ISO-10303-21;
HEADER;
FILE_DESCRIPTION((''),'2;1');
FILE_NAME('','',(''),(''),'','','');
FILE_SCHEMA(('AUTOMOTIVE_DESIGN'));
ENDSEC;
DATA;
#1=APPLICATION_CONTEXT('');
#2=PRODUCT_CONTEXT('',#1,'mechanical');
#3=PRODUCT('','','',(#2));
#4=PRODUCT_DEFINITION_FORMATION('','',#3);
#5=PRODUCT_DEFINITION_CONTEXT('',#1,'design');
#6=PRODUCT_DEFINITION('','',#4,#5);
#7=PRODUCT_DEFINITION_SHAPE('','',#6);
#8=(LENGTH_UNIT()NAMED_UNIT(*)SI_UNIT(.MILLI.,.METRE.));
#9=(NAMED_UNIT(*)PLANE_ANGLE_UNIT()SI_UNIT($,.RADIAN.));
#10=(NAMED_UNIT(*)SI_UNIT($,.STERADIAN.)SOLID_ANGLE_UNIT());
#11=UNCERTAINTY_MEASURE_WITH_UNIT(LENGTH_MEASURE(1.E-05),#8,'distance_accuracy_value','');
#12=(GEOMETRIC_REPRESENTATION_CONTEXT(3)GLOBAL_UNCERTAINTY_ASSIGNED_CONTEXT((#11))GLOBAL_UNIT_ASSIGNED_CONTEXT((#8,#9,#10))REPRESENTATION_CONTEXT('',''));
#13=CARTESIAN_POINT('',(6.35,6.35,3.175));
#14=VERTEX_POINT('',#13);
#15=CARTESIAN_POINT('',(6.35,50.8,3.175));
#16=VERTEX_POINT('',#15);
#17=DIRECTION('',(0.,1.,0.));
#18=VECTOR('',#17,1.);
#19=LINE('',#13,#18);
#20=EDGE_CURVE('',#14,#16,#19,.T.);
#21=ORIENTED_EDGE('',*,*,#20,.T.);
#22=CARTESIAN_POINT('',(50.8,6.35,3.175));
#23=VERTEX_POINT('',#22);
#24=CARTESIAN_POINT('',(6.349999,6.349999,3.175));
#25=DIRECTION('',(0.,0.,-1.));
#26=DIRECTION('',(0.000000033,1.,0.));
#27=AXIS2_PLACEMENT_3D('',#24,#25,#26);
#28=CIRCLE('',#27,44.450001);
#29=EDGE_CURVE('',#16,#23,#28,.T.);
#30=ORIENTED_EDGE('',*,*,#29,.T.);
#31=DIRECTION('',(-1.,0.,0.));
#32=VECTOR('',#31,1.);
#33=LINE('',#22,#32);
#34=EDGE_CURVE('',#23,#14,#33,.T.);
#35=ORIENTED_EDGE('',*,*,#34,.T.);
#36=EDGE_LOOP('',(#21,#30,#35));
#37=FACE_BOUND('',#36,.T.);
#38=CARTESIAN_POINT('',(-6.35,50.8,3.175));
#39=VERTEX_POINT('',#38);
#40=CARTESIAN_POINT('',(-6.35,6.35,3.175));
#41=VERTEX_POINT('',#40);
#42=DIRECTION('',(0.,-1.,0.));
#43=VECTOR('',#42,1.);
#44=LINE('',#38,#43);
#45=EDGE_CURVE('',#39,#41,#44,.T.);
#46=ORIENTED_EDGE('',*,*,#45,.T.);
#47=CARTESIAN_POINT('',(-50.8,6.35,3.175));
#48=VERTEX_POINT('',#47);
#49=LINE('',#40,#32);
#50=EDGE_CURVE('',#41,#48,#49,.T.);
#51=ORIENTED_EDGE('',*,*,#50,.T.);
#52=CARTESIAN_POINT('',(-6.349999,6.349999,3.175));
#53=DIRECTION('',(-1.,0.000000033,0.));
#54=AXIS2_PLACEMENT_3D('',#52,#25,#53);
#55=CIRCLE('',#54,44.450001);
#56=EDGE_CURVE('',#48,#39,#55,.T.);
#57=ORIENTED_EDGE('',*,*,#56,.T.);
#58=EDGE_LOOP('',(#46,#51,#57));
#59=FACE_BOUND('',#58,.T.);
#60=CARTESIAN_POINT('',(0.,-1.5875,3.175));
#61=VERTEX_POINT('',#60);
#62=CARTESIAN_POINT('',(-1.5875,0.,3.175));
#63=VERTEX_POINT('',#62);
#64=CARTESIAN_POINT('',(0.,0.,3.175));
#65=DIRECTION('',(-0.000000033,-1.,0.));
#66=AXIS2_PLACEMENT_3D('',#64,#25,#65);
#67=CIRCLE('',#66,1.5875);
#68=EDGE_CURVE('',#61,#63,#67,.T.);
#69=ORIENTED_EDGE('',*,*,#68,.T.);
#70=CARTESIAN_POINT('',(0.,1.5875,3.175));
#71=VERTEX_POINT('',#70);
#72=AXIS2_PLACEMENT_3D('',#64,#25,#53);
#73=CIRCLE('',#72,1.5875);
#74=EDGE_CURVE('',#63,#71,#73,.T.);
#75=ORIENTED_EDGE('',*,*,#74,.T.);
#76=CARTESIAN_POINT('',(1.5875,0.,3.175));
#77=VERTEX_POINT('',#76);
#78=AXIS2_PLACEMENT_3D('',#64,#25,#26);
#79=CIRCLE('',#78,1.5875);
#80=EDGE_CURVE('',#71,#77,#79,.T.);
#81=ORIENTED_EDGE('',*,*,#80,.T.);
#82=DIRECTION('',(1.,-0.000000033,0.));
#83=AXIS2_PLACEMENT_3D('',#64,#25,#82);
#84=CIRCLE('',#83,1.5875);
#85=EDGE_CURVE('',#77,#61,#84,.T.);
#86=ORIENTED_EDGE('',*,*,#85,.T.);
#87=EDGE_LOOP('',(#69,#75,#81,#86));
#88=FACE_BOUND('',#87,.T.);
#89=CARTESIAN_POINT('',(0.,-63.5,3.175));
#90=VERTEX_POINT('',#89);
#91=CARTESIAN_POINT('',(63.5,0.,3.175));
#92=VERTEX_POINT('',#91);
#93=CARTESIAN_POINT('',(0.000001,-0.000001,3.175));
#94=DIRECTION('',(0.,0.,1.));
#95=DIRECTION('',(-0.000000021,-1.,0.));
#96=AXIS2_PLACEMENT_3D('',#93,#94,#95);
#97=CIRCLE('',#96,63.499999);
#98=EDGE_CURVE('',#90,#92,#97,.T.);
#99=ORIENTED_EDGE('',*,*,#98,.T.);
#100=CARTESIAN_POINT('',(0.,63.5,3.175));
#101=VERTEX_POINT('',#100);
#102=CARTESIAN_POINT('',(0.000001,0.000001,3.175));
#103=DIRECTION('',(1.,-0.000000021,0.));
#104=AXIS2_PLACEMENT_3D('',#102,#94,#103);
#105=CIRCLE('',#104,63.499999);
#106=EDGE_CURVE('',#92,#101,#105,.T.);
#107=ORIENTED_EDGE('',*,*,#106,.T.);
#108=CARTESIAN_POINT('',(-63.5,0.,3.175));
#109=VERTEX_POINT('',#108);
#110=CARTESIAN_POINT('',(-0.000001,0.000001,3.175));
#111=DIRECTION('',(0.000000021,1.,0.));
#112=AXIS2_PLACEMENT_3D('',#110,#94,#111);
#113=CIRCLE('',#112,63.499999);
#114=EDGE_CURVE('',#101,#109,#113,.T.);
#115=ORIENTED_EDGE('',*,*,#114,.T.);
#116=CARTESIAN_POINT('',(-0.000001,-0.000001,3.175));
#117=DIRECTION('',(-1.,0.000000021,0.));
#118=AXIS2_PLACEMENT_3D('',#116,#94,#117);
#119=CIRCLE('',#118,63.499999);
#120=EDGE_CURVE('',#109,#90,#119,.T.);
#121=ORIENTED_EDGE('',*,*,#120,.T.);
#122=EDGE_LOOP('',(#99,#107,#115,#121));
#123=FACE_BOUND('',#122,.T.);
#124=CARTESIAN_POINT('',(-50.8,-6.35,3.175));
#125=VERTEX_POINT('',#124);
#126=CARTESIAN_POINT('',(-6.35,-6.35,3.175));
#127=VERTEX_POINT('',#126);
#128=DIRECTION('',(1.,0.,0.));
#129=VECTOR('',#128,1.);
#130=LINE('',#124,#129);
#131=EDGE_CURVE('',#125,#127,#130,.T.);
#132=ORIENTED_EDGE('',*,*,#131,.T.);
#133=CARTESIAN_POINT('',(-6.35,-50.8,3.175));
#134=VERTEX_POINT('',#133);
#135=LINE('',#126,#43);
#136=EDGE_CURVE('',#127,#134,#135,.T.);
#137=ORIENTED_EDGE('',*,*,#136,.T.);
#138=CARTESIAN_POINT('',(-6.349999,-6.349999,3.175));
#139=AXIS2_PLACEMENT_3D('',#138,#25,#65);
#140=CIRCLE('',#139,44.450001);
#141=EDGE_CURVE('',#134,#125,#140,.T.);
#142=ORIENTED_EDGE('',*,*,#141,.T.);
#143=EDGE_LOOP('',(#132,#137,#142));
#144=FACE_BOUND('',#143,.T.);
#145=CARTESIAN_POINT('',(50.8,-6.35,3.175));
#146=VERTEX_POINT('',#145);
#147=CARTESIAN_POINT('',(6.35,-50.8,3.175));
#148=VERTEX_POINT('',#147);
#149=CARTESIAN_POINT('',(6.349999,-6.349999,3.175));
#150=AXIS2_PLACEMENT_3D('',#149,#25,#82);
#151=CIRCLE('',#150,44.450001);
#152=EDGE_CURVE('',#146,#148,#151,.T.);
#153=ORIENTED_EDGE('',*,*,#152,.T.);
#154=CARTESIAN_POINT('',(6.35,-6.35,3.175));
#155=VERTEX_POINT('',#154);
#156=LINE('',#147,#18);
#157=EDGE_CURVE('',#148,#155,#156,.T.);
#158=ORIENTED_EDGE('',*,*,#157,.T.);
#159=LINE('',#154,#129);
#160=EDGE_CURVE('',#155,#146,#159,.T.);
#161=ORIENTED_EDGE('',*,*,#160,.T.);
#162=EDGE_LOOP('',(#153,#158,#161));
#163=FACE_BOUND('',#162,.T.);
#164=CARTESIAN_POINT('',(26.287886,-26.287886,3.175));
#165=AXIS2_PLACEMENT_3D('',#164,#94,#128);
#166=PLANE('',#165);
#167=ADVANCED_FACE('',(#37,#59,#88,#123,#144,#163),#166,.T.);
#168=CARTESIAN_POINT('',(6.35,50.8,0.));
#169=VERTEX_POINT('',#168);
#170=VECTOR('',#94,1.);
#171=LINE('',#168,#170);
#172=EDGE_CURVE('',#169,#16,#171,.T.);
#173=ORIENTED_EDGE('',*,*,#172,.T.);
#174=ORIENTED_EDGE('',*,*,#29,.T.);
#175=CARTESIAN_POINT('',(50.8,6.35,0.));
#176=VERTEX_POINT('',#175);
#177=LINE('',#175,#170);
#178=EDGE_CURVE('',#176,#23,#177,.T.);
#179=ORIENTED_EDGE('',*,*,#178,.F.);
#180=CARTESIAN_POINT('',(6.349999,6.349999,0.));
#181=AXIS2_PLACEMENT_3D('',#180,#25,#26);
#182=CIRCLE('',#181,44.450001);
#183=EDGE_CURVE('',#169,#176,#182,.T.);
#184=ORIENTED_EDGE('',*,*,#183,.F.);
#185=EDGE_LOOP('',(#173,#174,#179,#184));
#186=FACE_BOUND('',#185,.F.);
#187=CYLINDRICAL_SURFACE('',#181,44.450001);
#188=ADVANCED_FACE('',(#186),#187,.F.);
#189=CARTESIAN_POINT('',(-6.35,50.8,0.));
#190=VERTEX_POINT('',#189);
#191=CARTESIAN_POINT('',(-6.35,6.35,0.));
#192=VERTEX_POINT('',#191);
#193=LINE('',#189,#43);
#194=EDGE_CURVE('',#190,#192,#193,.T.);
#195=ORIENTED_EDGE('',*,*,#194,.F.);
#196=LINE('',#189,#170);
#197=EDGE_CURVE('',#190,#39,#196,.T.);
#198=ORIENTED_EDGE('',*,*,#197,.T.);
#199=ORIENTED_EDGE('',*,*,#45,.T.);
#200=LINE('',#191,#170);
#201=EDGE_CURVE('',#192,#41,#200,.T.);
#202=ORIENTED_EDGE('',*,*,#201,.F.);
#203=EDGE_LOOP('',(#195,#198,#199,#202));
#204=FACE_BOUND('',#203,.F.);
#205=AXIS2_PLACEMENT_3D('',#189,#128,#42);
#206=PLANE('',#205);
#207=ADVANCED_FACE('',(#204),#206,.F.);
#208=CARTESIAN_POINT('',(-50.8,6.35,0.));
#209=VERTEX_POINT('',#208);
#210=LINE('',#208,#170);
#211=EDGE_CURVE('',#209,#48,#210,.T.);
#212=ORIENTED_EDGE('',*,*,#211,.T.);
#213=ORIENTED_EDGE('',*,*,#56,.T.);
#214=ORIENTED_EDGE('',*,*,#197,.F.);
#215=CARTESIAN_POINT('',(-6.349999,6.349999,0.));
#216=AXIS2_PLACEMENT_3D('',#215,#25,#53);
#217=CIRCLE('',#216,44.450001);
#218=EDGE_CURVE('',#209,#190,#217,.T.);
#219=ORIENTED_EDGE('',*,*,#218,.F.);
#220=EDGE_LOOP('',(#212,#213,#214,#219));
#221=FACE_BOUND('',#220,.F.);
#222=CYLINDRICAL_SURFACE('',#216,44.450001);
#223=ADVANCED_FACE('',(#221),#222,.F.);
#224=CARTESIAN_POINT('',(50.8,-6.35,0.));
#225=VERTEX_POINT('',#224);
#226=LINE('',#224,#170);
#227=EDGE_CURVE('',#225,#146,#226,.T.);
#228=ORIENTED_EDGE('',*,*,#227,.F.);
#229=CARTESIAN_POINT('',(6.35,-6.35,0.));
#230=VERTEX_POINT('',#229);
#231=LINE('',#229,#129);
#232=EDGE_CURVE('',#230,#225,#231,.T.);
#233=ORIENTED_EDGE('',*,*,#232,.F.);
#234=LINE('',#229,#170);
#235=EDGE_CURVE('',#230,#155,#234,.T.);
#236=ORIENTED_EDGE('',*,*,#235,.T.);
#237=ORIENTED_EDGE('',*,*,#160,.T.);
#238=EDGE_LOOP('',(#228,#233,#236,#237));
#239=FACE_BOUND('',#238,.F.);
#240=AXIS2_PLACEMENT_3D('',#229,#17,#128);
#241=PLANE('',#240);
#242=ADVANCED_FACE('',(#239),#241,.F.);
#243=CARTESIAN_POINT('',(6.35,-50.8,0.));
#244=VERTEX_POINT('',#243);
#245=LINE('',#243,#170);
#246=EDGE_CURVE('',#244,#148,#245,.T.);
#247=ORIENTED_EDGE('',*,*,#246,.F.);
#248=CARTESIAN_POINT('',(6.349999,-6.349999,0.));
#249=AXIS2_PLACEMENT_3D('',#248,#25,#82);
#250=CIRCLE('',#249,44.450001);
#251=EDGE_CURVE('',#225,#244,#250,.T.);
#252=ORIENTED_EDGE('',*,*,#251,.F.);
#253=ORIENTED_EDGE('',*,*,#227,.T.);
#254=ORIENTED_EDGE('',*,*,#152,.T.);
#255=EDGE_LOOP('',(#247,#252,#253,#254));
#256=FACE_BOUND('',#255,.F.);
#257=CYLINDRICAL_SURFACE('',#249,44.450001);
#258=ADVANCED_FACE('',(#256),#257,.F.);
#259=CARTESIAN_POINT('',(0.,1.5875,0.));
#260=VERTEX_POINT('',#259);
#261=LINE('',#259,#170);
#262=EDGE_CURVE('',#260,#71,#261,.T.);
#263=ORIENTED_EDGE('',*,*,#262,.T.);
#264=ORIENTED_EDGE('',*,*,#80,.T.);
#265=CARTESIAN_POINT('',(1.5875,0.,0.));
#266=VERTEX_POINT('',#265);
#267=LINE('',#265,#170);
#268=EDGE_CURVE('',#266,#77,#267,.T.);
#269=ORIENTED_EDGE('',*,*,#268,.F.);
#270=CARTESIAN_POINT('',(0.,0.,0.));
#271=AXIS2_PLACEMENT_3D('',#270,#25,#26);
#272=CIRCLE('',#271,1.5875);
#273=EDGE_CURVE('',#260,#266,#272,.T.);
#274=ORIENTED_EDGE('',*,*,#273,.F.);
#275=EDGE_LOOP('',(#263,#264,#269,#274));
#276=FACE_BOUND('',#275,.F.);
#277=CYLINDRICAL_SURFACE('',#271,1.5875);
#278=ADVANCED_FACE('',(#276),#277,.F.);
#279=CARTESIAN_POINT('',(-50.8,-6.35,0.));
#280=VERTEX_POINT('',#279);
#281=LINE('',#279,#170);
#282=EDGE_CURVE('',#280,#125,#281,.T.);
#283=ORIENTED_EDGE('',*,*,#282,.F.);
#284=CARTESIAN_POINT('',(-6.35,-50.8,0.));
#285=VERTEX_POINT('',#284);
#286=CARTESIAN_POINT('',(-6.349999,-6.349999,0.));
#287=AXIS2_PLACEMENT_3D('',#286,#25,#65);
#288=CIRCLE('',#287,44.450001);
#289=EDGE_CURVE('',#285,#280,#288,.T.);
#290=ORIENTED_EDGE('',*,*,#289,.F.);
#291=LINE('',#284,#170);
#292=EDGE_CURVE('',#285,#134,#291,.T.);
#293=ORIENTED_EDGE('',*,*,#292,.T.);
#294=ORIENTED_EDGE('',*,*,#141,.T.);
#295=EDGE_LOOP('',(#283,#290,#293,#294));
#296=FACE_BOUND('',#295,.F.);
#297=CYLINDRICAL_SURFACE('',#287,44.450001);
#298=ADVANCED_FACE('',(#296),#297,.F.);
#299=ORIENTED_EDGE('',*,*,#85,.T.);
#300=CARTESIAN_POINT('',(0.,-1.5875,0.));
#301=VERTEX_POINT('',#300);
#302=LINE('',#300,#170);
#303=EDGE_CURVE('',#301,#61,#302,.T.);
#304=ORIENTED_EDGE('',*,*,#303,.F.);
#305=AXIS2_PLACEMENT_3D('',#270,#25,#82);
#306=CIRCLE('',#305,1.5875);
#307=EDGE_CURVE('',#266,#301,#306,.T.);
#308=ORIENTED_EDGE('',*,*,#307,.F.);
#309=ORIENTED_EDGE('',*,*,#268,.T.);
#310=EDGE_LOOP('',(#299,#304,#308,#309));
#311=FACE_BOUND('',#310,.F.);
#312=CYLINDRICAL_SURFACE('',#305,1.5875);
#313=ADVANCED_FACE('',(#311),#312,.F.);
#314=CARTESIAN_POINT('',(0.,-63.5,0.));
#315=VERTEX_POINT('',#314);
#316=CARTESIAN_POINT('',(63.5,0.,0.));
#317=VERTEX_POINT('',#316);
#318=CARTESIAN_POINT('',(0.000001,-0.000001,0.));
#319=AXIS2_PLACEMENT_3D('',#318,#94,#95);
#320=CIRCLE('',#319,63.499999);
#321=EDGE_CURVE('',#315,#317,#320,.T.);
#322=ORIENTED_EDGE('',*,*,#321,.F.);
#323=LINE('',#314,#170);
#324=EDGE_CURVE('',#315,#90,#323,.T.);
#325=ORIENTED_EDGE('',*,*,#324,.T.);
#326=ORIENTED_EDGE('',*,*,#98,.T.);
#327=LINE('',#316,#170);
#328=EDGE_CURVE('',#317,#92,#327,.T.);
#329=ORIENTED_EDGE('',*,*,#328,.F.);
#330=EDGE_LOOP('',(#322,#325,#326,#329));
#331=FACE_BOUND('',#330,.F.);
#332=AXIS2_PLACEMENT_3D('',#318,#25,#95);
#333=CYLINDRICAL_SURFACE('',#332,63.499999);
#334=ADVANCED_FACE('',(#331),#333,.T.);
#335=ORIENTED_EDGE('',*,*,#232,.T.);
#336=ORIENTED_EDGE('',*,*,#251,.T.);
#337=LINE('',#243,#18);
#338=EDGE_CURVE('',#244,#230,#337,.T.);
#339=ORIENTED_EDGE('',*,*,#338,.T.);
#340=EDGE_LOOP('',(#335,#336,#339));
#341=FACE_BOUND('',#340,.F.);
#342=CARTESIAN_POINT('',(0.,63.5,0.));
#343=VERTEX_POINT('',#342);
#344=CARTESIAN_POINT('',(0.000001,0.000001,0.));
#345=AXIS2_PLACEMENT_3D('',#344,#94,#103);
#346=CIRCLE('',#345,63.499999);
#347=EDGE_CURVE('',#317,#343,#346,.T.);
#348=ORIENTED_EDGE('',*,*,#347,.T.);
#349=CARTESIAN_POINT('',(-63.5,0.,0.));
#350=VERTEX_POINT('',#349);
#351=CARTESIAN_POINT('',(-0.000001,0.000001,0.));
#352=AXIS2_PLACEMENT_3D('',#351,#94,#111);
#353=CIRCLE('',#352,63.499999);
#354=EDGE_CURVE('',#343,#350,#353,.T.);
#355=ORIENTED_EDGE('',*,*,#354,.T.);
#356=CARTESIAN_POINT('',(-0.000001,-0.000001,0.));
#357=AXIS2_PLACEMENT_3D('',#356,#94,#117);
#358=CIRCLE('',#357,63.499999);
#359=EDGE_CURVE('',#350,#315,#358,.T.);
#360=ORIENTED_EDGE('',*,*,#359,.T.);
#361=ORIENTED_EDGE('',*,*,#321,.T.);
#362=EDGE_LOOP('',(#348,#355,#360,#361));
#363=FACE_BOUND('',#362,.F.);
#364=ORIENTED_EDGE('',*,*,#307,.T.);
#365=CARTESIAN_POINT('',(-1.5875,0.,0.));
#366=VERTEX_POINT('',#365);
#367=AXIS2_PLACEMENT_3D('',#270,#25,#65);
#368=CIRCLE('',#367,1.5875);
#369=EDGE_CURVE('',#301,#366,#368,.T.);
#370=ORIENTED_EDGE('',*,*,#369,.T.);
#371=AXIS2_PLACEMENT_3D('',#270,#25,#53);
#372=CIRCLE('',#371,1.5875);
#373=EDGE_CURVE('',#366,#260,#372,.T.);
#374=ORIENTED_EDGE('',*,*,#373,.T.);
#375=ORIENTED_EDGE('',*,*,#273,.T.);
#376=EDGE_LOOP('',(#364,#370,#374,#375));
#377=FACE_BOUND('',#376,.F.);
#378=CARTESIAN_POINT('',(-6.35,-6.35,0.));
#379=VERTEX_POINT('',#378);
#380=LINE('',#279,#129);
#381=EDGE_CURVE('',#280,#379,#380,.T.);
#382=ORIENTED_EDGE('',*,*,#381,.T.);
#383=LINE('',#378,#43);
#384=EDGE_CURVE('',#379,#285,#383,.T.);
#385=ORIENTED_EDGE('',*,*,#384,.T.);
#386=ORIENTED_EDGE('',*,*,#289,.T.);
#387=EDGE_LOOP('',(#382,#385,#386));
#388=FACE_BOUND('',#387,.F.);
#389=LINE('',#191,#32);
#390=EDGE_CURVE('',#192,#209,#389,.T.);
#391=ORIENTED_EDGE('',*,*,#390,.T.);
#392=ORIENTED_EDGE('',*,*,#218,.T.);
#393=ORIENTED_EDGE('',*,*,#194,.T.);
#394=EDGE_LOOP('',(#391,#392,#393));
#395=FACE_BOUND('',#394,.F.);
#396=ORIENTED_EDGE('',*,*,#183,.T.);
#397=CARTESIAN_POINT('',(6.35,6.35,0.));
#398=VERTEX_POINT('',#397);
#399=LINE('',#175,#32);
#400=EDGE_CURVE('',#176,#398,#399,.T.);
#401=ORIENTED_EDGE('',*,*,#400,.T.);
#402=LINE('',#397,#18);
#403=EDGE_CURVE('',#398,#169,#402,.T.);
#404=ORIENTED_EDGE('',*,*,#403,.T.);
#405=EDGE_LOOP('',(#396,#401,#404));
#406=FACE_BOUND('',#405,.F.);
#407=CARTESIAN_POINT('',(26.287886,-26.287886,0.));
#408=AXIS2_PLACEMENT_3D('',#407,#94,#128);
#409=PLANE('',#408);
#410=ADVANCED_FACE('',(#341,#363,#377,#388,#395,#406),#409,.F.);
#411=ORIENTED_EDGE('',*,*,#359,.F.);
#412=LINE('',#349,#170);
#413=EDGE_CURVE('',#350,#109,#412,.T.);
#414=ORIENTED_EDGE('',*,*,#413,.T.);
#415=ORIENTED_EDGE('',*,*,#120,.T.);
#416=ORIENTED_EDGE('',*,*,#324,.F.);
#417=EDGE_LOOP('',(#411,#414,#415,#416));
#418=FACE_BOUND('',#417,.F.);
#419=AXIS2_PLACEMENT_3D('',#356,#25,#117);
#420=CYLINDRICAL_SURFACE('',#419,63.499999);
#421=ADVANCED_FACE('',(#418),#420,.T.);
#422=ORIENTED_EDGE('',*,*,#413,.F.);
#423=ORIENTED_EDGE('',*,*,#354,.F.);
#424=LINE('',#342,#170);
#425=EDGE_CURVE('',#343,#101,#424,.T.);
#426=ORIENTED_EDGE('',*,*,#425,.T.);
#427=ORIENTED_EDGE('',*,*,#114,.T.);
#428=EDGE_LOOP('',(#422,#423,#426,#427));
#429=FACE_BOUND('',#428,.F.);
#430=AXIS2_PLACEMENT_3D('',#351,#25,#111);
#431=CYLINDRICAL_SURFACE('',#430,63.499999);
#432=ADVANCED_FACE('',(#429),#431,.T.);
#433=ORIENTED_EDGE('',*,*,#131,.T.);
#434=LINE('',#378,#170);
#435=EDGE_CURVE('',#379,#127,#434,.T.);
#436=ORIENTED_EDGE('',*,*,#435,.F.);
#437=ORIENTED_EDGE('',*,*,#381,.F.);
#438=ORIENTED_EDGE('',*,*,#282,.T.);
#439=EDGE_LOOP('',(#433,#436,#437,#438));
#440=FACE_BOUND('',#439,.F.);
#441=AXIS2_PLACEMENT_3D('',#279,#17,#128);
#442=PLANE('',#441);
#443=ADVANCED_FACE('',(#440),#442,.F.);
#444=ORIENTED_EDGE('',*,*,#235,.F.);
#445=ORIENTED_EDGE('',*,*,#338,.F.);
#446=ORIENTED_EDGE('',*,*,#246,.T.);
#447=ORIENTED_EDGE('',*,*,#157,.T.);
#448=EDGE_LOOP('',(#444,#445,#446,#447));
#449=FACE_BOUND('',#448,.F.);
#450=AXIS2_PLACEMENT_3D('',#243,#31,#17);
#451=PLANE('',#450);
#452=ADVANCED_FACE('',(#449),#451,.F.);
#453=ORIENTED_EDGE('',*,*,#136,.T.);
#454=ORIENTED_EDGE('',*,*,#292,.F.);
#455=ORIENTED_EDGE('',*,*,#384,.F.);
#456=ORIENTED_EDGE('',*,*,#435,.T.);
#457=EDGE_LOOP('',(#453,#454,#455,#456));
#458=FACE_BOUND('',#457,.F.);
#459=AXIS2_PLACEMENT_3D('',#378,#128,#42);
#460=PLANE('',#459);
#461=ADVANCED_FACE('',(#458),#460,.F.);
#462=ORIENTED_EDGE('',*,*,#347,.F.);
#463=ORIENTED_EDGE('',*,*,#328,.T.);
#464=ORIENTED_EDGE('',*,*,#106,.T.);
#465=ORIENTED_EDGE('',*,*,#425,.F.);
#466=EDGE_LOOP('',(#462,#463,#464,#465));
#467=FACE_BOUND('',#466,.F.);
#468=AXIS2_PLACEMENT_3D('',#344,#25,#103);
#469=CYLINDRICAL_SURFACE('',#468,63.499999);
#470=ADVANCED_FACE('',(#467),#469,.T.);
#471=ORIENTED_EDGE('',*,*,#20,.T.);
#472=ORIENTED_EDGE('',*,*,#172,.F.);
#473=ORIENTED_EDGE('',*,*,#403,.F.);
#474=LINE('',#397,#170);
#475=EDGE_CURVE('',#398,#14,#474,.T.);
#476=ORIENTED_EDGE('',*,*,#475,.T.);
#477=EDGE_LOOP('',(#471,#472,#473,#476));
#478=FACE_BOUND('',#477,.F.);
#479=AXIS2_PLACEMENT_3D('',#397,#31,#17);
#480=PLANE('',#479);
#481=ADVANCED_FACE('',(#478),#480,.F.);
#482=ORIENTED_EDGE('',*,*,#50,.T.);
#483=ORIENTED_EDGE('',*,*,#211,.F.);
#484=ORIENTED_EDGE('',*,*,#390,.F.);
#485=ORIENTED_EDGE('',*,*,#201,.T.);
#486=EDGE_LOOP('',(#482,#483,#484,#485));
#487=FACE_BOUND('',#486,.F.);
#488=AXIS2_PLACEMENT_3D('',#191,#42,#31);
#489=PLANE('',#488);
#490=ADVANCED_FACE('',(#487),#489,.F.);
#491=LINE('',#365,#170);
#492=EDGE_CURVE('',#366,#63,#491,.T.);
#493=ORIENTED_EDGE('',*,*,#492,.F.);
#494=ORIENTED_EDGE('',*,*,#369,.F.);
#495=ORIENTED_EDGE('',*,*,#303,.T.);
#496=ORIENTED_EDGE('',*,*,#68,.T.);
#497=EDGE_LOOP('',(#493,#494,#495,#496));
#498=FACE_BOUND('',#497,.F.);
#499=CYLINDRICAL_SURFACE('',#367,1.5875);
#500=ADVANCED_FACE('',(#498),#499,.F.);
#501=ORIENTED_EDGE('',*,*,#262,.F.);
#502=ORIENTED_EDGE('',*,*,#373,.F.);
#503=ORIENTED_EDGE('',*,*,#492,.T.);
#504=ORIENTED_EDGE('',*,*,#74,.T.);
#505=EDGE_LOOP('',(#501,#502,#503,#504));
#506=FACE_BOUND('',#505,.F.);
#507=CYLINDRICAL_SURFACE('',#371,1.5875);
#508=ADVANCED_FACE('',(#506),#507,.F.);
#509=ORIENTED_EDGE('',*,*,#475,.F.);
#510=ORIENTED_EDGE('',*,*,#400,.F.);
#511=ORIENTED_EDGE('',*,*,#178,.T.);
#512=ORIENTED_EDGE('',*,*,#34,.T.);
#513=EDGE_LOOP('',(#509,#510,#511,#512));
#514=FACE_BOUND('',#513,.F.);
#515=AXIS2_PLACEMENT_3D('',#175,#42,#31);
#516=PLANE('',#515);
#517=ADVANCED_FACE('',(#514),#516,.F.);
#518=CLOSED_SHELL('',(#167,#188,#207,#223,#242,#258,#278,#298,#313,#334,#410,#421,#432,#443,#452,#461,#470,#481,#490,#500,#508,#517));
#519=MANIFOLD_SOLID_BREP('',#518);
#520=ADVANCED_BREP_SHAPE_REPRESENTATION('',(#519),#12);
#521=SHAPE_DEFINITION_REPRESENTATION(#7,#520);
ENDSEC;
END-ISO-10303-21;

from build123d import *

# Parameters (mm, degrees)
F1_DEPTH = 3.175


with BuildPart() as f1:
    # F0 (on Top) → F1 (new body)
    with BuildSketch(Plane.XY):
        with BuildLine():
            ThreePointArc((0, -63.5), (44.901281, -44.901281), (63.5, 0))
            Line((63.5, 0), (1.5875, 0))
            ThreePointArc((1.5875, 0), (1.122532, -1.122532), (0, -1.5875))
            Line((0, -1.5875), (0, -63.5))
        make_face()
        with BuildLine():
            Line((6.35, -6.35), (50.8, -6.35))
            ThreePointArc((50.8, -6.35), (37.780896, -37.780896), (6.35, -50.8))
            Line((6.35, -50.8), (6.35, -6.35))
        make_face(mode=Mode.SUBTRACT)
        with BuildLine():
            Line((1.5875, 0), (63.5, 0))
            ThreePointArc((63.5, 0), (44.901281, 44.901281), (0, 63.5))
            Line((0, 63.5), (0, 1.5875))
            ThreePointArc((0, 1.5875), (1.122532, 1.122532), (1.5875, 0))
        make_face()
        with BuildLine():
            Line((6.35, 6.35), (6.35, 50.8))
            ThreePointArc((6.35, 50.8), (37.780896, 37.780896), (50.8, 6.35))
            Line((50.8, 6.35), (6.35, 6.35))
        make_face(mode=Mode.SUBTRACT)
        with BuildLine():
            Line((0, 1.5875), (0, 63.5))
            ThreePointArc((0, 63.5), (-44.901281, 44.901281), (-63.5, 0))
            Line((-63.5, 0), (-1.5875, 0))
            ThreePointArc((-1.5875, 0), (-1.122532, 1.122532), (0, 1.5875))
        make_face()
        with BuildLine():
            Line((-6.35, 6.35), (-50.8, 6.35))
            ThreePointArc((-50.8, 6.35), (-37.780896, 37.780896), (-6.35, 50.8))
            Line((-6.35, 50.8), (-6.35, 6.35))
        make_face(mode=Mode.SUBTRACT)
        with BuildLine():
            ThreePointArc((-63.5, 0), (-44.901281, -44.901281), (0, -63.5))
            Line((0, -63.5), (0, -1.5875))
            ThreePointArc((0, -1.5875), (-1.122532, -1.122532), (-1.5875, 0))
            Line((-1.5875, 0), (-63.5, 0))
        make_face()
        with BuildLine():
            Line((-6.35, -6.35), (-6.35, -50.8))
            ThreePointArc((-6.35, -50.8), (-37.780896, -37.780896), (-50.8, -6.35))
            Line((-50.8, -6.35), (-6.35, -6.35))
        make_face(mode=Mode.SUBTRACT)
    extrude(amount=F1_DEPTH)


solid = f1.part
